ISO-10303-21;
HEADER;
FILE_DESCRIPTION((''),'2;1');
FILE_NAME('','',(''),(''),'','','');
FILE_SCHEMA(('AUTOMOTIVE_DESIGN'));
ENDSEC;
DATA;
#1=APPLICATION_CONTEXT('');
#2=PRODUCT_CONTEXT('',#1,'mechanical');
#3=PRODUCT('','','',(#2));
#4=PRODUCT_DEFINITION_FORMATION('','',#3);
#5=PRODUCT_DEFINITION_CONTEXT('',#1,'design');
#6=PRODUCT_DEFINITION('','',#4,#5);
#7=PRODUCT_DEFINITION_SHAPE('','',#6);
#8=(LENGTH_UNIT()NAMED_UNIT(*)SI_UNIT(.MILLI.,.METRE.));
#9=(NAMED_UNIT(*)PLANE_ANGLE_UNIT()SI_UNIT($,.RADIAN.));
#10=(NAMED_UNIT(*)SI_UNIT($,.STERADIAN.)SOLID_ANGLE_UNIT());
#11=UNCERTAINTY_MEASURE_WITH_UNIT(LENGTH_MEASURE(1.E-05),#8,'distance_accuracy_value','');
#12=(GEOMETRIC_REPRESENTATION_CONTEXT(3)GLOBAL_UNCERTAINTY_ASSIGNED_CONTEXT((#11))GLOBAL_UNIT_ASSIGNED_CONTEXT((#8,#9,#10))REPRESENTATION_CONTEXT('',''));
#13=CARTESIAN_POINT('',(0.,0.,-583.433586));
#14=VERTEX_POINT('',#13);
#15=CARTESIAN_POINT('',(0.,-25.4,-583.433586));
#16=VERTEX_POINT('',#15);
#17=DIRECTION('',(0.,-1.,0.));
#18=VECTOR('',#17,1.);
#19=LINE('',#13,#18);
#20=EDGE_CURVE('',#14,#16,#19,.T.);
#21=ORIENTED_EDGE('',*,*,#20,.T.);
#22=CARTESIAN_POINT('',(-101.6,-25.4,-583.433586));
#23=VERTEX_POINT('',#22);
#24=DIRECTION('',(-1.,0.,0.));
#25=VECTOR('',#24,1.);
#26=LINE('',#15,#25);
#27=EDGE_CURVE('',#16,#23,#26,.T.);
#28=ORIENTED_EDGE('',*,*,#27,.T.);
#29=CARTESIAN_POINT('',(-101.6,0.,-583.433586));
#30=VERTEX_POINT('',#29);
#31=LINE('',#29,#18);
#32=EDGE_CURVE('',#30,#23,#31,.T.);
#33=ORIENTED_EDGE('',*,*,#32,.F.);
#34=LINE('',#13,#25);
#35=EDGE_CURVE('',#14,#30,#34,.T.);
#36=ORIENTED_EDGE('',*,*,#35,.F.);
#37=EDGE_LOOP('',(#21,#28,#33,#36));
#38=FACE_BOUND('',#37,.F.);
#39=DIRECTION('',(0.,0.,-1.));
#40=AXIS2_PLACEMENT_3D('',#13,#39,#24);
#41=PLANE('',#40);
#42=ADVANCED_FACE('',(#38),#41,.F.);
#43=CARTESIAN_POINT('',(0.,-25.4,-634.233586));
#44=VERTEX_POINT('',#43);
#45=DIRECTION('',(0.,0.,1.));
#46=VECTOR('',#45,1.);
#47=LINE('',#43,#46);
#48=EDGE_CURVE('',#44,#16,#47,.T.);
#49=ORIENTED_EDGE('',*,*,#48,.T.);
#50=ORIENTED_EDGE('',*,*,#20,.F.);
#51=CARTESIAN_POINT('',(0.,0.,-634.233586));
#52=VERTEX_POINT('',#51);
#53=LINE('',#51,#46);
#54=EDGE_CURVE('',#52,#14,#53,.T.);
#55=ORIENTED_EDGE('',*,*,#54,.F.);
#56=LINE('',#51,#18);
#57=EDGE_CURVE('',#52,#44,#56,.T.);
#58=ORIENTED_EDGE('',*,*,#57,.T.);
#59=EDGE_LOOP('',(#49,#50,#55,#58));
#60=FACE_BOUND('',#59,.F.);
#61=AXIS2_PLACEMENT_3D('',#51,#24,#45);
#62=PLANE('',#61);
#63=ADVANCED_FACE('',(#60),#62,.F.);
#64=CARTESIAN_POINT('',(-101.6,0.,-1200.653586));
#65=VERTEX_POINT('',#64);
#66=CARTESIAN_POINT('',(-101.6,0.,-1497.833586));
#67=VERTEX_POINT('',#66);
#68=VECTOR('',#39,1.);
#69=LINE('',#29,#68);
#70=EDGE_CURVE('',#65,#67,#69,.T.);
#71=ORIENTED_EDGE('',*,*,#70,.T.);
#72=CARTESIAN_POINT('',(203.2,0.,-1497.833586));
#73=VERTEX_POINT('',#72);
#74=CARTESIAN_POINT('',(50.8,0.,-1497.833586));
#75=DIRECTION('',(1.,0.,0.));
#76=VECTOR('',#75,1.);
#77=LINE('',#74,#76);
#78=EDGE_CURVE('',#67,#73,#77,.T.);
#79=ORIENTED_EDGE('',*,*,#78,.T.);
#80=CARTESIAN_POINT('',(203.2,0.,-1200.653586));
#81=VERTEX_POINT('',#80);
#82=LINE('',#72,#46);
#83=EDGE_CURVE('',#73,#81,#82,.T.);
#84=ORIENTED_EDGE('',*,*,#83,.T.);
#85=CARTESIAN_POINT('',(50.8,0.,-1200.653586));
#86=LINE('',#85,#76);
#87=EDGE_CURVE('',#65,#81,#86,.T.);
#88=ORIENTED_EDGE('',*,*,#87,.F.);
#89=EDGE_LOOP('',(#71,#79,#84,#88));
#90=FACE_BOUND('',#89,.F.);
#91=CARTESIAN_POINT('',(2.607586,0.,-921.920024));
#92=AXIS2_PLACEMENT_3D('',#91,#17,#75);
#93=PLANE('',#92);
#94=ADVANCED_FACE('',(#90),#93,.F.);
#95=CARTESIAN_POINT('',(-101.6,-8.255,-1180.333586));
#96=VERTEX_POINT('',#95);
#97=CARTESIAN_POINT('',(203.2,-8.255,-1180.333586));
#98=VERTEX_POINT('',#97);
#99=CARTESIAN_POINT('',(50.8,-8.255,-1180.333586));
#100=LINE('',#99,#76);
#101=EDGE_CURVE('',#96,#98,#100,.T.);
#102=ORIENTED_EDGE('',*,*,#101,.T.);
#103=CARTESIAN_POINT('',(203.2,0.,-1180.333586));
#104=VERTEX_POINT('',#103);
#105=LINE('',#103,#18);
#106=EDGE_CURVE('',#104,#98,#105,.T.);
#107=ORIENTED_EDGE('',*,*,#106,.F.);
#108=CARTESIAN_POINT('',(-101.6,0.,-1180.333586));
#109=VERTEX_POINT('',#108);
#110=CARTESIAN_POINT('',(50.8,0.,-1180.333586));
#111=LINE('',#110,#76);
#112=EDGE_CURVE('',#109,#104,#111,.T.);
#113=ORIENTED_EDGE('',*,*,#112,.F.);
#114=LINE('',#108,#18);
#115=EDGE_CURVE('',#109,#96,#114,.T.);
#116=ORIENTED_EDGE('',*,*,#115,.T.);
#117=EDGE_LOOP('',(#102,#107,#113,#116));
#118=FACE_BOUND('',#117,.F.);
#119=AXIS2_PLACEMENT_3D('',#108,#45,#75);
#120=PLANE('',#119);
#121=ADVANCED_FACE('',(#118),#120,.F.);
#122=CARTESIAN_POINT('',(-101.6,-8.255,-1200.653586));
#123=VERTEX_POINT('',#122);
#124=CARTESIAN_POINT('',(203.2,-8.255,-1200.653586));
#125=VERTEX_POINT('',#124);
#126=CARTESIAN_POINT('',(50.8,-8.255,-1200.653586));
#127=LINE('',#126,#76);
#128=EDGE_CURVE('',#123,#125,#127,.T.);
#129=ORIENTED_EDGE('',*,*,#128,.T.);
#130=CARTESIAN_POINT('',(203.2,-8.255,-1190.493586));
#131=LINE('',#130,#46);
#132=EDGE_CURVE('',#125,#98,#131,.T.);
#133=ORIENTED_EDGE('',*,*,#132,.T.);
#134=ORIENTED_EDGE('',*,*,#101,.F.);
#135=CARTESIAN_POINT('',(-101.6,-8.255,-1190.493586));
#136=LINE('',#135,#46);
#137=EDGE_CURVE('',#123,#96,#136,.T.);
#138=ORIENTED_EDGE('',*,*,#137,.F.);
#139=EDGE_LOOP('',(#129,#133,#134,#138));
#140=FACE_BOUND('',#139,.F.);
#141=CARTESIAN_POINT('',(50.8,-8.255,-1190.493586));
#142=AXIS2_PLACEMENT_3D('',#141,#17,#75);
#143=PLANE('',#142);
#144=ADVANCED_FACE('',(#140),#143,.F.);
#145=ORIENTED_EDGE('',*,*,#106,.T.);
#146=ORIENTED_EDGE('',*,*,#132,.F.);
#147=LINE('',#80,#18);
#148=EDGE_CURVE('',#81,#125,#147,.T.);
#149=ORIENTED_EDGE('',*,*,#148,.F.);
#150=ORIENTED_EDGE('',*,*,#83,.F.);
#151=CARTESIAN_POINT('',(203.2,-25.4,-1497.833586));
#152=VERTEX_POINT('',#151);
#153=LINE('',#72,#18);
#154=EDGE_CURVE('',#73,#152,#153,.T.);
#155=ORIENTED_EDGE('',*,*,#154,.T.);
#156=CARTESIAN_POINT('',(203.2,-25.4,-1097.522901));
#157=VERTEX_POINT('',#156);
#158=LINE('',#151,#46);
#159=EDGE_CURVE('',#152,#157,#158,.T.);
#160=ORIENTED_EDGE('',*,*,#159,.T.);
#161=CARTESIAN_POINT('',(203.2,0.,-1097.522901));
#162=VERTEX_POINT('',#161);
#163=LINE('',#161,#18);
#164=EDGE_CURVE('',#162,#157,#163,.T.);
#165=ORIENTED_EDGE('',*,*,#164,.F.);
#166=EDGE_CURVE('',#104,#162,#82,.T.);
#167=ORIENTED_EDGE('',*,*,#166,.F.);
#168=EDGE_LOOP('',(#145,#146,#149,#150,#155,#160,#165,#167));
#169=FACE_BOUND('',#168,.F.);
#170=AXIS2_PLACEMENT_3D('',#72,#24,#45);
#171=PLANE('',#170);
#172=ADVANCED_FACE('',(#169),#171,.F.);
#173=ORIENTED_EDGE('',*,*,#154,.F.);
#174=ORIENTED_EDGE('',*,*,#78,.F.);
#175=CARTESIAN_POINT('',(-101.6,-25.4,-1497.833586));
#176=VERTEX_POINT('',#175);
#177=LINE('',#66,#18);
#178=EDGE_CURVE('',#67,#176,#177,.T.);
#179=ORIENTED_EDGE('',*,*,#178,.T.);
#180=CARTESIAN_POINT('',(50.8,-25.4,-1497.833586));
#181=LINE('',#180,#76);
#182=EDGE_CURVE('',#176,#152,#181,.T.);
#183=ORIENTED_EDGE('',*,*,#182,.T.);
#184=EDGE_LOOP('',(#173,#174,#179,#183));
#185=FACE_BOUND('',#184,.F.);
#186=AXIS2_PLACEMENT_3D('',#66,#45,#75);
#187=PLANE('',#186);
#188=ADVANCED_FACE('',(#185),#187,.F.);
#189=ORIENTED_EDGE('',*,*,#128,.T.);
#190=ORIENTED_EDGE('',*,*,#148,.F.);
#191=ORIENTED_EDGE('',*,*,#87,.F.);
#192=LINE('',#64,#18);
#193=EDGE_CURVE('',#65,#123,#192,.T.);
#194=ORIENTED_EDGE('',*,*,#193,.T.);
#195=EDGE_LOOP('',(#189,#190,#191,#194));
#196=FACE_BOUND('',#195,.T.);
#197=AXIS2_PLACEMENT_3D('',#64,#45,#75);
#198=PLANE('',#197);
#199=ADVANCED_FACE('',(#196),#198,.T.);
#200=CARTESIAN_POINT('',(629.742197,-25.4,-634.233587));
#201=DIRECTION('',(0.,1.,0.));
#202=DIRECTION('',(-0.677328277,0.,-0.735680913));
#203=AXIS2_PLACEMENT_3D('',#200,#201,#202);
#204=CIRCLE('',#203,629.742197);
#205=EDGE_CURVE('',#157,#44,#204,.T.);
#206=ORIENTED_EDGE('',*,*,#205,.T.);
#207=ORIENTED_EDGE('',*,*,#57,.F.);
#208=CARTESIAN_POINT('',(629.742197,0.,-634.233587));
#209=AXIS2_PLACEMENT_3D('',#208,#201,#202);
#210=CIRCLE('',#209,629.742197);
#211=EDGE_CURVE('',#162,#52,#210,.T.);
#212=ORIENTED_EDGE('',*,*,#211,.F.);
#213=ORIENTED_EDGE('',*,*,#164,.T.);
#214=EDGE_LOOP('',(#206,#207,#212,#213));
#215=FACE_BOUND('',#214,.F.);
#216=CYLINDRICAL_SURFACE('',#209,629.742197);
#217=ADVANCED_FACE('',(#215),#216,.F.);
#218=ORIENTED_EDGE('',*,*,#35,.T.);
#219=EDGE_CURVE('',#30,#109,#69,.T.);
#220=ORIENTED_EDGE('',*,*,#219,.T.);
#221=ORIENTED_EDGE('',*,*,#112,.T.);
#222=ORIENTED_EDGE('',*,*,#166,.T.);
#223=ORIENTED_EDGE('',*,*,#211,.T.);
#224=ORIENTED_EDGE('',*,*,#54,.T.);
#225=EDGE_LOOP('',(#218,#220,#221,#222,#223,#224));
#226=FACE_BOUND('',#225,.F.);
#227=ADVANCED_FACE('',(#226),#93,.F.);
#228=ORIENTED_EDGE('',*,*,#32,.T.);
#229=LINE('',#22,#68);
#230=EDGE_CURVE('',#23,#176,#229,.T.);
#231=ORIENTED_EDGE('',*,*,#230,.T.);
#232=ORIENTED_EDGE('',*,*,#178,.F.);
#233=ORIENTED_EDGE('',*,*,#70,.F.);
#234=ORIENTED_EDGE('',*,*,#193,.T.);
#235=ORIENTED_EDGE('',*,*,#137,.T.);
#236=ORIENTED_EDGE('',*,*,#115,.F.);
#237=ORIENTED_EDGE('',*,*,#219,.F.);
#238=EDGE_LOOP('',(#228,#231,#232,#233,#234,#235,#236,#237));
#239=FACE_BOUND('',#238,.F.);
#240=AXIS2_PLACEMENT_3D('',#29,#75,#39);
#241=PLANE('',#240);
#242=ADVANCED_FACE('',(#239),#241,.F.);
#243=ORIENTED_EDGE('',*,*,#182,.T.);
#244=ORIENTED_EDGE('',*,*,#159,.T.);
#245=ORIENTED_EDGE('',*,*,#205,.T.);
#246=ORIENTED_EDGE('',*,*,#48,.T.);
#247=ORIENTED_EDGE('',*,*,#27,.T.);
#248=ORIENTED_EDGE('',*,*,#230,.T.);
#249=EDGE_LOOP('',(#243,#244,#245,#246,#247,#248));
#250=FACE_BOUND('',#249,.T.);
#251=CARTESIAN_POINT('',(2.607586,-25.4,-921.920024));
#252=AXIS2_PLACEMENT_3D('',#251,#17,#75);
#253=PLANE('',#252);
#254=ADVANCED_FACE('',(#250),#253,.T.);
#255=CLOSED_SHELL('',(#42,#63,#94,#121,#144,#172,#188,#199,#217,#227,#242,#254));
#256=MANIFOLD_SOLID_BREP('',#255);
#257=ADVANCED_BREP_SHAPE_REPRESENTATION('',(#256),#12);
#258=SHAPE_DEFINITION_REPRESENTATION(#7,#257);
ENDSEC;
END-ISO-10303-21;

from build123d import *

# Parameters (mm, degrees)
F0_W     = 304.8
F0_H     = 20.32
F0_H_2   = 297.18
F1_DEPTH = 25.4
F2_DEPTH = 8.255


with BuildPart() as f1:
    # F0 (on Front) → F1 (new body)
    with BuildSketch(Plane.XZ):
        with BuildLine():
            Line((-101.6, -1180.333586), (203.2, -1180.333586))
            Line((203.2, -1180.333586), (203.2, -1097.522901))
            ThreePointArc((203.2, -1097.522901), (53.033061, -887.17984), (0, -634.233586))
            Line((0, -634.233586), (0, -583.433586))
            Line((0, -583.433586), (-101.6, -583.433586))
            Line((-101.6, -583.433586), (-101.6, -1180.333586))
        make_face()
        with Locations((50.8, -1190.493586)):
            Rectangle(F0_W, F0_H)
        with Locations((50.8, -1349.243586)):
            Rectangle(F0_W, F0_H_2)
    extrude(amount=F1_DEPTH)

    # F0 (on Front) → F2 (cut)
    with BuildSketch(Plane.XZ):
        with Locations((50.8, -1190.493586)):
            Rectangle(F0_W, F0_H)
    extrude(amount=F2_DEPTH, mode=Mode.SUBTRACT)


solid = f1.part
